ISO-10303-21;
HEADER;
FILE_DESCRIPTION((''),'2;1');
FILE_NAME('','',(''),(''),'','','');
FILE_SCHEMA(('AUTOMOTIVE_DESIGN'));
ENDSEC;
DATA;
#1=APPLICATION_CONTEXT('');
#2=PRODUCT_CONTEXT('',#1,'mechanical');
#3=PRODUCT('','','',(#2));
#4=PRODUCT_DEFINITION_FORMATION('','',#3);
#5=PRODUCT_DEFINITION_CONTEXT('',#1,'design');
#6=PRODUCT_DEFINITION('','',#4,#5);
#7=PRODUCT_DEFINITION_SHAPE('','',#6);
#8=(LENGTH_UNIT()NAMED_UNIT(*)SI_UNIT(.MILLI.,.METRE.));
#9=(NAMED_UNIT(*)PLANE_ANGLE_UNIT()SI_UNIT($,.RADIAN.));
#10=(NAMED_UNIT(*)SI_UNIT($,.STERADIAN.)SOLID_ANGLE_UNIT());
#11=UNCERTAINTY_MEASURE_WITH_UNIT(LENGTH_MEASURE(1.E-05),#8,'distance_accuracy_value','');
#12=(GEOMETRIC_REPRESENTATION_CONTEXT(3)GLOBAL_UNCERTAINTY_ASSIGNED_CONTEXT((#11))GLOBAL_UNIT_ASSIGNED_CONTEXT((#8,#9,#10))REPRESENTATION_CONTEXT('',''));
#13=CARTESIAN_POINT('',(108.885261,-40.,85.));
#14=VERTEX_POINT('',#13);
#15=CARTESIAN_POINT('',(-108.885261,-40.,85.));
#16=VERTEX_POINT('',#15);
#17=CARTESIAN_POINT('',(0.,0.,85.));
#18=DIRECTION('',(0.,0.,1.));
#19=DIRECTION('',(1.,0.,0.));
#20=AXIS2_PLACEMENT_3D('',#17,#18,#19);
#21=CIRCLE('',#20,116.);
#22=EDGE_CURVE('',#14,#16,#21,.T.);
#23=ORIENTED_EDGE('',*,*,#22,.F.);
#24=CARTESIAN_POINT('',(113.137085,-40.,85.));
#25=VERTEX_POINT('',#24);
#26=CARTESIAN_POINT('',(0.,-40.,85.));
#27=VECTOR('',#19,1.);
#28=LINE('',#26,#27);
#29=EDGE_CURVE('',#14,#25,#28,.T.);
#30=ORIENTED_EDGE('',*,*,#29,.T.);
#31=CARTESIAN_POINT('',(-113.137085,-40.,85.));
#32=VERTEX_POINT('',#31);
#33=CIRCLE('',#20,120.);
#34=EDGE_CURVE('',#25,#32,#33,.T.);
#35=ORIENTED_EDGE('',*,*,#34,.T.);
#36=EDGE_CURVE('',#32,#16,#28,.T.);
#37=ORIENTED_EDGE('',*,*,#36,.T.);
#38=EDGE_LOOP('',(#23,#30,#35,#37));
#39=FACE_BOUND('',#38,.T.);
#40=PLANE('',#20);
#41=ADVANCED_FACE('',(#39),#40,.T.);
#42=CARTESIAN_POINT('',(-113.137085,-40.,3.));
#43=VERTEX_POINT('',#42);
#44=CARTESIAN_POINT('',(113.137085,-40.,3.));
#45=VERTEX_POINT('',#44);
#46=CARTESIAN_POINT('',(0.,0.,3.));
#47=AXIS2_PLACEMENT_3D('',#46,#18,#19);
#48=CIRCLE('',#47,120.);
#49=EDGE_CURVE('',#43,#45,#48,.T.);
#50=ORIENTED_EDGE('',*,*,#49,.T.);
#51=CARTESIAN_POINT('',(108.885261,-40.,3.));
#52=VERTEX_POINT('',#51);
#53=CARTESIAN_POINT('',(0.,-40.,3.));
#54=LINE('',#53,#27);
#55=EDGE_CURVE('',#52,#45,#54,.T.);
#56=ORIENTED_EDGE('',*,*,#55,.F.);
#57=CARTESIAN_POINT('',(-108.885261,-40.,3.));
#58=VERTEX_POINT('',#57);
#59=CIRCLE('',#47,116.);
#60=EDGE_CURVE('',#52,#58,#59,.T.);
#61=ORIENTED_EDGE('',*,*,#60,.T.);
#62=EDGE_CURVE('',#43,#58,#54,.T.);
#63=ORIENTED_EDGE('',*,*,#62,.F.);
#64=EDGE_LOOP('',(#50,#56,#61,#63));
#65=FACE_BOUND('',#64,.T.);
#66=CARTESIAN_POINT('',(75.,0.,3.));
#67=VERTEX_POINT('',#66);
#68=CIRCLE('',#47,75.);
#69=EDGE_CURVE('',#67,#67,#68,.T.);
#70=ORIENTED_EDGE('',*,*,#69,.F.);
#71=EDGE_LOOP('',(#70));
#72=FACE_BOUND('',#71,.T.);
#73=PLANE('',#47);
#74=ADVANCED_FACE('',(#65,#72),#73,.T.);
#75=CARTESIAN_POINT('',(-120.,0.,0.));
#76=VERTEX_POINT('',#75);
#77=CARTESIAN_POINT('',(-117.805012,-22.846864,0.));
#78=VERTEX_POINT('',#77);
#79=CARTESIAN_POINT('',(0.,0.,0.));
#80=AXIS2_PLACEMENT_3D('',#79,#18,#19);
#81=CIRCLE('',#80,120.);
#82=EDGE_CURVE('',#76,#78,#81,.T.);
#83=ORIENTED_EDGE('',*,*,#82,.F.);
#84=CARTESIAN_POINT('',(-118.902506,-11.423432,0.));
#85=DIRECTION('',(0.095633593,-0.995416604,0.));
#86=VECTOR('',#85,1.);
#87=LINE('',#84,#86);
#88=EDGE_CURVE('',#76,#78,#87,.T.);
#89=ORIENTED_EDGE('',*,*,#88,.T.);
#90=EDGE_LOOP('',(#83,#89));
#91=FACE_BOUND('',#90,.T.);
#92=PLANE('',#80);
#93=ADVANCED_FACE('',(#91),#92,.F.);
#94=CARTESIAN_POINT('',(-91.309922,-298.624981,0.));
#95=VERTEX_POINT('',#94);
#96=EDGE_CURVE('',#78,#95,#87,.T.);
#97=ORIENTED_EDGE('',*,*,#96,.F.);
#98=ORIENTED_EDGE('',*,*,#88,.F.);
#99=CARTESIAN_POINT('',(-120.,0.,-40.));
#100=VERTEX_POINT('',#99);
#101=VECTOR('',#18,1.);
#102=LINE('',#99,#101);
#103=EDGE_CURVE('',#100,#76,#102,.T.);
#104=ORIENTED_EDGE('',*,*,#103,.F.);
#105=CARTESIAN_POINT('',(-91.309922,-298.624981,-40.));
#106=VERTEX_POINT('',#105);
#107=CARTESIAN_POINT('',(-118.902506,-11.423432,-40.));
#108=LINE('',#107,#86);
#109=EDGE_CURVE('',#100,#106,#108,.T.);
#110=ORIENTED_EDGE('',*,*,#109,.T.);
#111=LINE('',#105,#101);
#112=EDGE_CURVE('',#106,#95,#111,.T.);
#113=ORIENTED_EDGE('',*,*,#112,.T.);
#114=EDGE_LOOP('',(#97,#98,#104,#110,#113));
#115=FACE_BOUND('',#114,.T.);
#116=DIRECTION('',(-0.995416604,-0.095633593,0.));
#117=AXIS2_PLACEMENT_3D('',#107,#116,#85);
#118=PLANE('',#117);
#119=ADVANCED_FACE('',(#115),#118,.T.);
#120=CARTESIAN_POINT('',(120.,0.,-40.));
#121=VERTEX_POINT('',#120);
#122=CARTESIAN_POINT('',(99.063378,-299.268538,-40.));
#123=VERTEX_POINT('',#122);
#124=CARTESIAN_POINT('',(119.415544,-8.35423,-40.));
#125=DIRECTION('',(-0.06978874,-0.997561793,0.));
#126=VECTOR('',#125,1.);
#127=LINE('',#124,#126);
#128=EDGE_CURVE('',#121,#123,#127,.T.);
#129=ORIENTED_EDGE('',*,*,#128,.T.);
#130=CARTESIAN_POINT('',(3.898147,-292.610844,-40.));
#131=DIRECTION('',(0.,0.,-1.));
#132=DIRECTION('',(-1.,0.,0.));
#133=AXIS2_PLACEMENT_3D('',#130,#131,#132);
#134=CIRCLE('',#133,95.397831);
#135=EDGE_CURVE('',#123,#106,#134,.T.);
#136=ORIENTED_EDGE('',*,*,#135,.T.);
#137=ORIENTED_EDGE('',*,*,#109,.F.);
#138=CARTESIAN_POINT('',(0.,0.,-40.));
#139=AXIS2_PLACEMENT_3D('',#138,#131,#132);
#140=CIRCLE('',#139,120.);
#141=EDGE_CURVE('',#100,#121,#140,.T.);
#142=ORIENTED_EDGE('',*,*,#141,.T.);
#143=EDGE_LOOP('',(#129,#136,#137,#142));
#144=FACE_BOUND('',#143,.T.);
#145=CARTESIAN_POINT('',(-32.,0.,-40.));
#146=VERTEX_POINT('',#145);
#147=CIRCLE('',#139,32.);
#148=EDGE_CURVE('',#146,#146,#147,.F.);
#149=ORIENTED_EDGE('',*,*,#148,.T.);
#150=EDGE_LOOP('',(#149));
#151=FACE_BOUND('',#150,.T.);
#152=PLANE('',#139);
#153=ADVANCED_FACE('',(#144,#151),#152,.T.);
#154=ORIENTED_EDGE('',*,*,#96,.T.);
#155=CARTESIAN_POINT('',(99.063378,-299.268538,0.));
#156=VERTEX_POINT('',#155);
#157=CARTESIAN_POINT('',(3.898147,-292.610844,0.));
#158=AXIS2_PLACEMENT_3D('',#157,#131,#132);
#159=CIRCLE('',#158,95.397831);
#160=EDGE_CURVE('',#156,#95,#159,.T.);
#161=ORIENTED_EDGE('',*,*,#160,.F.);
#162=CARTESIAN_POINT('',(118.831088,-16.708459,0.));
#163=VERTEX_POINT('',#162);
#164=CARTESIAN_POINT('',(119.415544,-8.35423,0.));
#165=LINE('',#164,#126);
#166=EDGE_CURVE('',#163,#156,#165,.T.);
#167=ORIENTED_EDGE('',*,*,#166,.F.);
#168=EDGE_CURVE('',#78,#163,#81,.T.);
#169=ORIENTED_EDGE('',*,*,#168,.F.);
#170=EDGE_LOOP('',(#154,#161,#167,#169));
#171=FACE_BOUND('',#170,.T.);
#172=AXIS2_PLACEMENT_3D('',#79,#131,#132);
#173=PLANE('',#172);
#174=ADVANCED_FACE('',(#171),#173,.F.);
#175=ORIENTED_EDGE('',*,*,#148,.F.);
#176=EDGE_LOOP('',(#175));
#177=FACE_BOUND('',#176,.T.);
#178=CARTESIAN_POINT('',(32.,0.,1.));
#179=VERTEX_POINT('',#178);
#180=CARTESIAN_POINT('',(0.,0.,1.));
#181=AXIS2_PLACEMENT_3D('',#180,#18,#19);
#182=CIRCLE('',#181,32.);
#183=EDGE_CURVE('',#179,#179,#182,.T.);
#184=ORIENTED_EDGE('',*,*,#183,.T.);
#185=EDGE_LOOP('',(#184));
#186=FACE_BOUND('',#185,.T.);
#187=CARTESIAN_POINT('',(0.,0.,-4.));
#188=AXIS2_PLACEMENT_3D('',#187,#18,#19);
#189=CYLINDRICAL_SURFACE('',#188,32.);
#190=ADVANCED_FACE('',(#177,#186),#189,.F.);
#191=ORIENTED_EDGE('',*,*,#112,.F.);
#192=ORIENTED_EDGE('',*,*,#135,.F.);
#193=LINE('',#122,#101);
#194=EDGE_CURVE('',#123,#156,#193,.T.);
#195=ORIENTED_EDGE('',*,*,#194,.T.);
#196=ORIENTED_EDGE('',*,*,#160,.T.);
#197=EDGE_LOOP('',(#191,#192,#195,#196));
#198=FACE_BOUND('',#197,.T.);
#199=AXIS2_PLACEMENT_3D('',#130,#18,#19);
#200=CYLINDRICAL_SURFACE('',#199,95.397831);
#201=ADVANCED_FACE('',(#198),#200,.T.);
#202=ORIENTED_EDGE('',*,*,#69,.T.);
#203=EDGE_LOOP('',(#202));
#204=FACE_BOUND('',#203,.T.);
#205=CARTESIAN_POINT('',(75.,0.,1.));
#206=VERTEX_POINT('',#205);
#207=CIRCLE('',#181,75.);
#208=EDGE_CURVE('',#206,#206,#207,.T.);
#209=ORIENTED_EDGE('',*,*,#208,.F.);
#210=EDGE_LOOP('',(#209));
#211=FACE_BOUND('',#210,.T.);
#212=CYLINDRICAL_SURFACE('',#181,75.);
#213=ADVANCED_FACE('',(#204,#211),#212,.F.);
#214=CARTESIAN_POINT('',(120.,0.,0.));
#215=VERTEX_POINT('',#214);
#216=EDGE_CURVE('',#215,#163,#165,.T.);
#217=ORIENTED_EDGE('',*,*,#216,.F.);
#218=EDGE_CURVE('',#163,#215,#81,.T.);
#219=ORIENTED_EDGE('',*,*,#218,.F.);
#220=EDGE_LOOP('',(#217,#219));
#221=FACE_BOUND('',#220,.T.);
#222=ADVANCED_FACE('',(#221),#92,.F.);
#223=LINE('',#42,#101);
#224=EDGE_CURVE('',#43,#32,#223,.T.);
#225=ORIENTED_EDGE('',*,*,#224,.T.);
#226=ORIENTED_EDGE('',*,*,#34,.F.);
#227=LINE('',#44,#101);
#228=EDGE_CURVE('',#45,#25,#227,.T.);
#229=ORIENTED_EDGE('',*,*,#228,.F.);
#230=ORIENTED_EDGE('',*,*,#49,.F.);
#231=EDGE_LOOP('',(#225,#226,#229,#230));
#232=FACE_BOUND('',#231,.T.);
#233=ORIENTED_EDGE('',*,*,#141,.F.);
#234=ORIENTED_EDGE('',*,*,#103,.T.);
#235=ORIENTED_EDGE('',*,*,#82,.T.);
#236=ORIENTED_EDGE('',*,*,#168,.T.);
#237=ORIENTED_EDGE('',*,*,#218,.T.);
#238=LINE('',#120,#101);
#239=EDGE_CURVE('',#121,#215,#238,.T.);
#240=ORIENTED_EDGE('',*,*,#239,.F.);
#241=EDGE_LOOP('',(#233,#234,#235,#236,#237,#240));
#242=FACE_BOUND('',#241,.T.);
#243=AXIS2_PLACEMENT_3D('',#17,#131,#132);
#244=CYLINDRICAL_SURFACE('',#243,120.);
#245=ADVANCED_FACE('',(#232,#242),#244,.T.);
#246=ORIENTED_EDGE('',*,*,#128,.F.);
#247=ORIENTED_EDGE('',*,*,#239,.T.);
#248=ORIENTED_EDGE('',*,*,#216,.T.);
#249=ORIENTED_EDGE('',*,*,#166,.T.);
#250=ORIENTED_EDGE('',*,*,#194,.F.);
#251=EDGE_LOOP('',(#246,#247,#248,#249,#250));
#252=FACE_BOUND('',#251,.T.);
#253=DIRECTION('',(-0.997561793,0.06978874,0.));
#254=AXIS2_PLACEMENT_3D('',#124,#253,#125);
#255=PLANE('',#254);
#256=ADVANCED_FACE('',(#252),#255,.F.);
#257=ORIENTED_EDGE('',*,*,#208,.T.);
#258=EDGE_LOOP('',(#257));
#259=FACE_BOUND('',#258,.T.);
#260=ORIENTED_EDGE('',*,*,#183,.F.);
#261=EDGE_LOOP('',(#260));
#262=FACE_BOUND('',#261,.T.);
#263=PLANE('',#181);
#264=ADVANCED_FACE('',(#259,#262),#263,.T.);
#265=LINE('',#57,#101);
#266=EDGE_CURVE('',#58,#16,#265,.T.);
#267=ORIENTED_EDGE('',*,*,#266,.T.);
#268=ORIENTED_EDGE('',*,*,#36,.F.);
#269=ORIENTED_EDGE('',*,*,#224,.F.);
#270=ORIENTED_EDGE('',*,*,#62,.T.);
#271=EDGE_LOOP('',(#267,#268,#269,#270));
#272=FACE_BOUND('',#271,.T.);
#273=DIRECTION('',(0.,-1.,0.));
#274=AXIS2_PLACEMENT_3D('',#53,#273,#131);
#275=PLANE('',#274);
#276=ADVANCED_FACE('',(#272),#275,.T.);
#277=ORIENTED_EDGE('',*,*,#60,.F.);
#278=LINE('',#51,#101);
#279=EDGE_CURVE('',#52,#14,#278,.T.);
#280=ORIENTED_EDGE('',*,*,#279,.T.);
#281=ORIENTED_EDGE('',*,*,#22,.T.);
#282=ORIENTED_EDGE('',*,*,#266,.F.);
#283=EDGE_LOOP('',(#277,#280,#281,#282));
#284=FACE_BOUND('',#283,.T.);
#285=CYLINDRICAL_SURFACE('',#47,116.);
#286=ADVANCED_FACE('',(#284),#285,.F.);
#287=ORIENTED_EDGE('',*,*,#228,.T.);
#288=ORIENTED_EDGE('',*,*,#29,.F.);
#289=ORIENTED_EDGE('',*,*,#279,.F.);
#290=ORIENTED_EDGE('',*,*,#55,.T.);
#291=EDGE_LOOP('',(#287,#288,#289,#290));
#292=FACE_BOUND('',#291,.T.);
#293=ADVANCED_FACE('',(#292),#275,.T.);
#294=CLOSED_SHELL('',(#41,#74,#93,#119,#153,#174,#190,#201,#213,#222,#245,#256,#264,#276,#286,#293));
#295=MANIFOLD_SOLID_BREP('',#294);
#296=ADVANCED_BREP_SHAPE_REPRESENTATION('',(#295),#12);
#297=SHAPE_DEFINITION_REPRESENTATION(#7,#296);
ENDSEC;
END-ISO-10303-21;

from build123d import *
from build123d.topology import SkipClean

# Parameters (mm, degrees)
SKETCH2_R               = 120
BOSS_EXTRUDE2_DEPTH     = 85
CUT_EXTRUDE1_START      = -82
CUT_EXTRUDE1_DEPTH      = 82
CUT_EXTRUDE5_DEPTH      = 2
CUT_EXTRUDE5_DEPTH_BACK = 2
SKETCH8_R               = 75
SKETCH9_R               = 32
CUT_EXTRUDE6_DEPTH      = 5
BOSS_EXTRUDE4_START     = 40
SKETCH12_R              = 32
BOSS_EXTRUDE4_DEPTH     = 40


with BuildPart() as part:
    # Sketch2 → Boss-Extrude2 (new body)
    with BuildSketch(Plane.XY):
        Circle(SKETCH2_R)
    extrude(amount=BOSS_EXTRUDE2_DEPTH)

    # Sketch3 → Cut-Extrude1 (cut)
    with BuildSketch(Plane.XY.offset(85).offset(CUT_EXTRUDE1_START)):
        with BuildLine():
            Line((-108.885260711, -40), (-113.13708499, -40))
            ThreePointArc((-113.13708499, -40), (0, -120), (113.13708499, -40))
            Line((113.13708499, -40), (108.885260711, -40))
            ThreePointArc((108.885260711, -40), (0, 116), (-108.885260711, -40))
        make_face()
    extrude(amount=CUT_EXTRUDE1_DEPTH, mode=Mode.SUBTRACT)

    # Sketch8 → Cut-Extrude5 (cut, two sides: drawn at the far end of the back side and taken through both)
    with BuildSketch(Plane.XY.offset(3).offset(-CUT_EXTRUDE5_DEPTH_BACK)):
        Circle(SKETCH8_R)
    extrude(amount=CUT_EXTRUDE5_DEPTH + CUT_EXTRUDE5_DEPTH_BACK, mode=Mode.SUBTRACT)

    # Sketch9 → Cut-Extrude6 (cut)
    with BuildSketch(Plane.XY.offset(1)):
        Circle(SKETCH9_R)
    extrude(amount=-CUT_EXTRUDE6_DEPTH, mode=Mode.SUBTRACT)

    # Sketch12 → Boss-Extrude4 (add)
    # profile 1 of 2: a face of its own
    with SkipClean():  # the faces are left unmerged after this step: merging them gives an invalid solid
        with BuildSketch(Plane(origin=(0, 0, 0), x_dir=(-1, 0, 0), z_dir=(0, 0, -1)).offset(BOSS_EXTRUDE4_START)):
            with BuildLine():
                ThreePointArc((120, 0), (0, 120), (-120, 0))
                Line((-120, 0), (-118.831087629, -16.70845932))
                ThreePointArc((-118.831087629, -16.70845932), (-3.111785776, -119.959646504), (117.805011812, -22.84686394))
                Line((117.805011812, -22.84686394), (120, 0))
            make_face()
            with Locations(Location((0, 0, 0), (0, 0, 180))):
                Circle(SKETCH12_R, mode=Mode.SUBTRACT)
        # profile 2 of 2: a face of its own
        with BuildSketch(Plane(origin=(0, 0, 0), x_dir=(-1, 0, 0), z_dir=(0, 0, -1)).offset(BOSS_EXTRUDE4_START)):
            with BuildLine():
                ThreePointArc((117.805011812, -22.84686394), (-3.111785776, -119.959646504), (-118.831087629, -16.70845932))
                Line((-118.831087629, -16.70845932), (-99.063378042, -299.268538041))
                ThreePointArc((-99.063378042, -299.268538041), (-3.575656086, -388.008129656), (91.309922092, -298.624981255))
                Line((91.309922092, -298.624981255), (117.805011812, -22.84686394))
            make_face()
        extrude(amount=-BOSS_EXTRUDE4_DEPTH)


solid = part.part
